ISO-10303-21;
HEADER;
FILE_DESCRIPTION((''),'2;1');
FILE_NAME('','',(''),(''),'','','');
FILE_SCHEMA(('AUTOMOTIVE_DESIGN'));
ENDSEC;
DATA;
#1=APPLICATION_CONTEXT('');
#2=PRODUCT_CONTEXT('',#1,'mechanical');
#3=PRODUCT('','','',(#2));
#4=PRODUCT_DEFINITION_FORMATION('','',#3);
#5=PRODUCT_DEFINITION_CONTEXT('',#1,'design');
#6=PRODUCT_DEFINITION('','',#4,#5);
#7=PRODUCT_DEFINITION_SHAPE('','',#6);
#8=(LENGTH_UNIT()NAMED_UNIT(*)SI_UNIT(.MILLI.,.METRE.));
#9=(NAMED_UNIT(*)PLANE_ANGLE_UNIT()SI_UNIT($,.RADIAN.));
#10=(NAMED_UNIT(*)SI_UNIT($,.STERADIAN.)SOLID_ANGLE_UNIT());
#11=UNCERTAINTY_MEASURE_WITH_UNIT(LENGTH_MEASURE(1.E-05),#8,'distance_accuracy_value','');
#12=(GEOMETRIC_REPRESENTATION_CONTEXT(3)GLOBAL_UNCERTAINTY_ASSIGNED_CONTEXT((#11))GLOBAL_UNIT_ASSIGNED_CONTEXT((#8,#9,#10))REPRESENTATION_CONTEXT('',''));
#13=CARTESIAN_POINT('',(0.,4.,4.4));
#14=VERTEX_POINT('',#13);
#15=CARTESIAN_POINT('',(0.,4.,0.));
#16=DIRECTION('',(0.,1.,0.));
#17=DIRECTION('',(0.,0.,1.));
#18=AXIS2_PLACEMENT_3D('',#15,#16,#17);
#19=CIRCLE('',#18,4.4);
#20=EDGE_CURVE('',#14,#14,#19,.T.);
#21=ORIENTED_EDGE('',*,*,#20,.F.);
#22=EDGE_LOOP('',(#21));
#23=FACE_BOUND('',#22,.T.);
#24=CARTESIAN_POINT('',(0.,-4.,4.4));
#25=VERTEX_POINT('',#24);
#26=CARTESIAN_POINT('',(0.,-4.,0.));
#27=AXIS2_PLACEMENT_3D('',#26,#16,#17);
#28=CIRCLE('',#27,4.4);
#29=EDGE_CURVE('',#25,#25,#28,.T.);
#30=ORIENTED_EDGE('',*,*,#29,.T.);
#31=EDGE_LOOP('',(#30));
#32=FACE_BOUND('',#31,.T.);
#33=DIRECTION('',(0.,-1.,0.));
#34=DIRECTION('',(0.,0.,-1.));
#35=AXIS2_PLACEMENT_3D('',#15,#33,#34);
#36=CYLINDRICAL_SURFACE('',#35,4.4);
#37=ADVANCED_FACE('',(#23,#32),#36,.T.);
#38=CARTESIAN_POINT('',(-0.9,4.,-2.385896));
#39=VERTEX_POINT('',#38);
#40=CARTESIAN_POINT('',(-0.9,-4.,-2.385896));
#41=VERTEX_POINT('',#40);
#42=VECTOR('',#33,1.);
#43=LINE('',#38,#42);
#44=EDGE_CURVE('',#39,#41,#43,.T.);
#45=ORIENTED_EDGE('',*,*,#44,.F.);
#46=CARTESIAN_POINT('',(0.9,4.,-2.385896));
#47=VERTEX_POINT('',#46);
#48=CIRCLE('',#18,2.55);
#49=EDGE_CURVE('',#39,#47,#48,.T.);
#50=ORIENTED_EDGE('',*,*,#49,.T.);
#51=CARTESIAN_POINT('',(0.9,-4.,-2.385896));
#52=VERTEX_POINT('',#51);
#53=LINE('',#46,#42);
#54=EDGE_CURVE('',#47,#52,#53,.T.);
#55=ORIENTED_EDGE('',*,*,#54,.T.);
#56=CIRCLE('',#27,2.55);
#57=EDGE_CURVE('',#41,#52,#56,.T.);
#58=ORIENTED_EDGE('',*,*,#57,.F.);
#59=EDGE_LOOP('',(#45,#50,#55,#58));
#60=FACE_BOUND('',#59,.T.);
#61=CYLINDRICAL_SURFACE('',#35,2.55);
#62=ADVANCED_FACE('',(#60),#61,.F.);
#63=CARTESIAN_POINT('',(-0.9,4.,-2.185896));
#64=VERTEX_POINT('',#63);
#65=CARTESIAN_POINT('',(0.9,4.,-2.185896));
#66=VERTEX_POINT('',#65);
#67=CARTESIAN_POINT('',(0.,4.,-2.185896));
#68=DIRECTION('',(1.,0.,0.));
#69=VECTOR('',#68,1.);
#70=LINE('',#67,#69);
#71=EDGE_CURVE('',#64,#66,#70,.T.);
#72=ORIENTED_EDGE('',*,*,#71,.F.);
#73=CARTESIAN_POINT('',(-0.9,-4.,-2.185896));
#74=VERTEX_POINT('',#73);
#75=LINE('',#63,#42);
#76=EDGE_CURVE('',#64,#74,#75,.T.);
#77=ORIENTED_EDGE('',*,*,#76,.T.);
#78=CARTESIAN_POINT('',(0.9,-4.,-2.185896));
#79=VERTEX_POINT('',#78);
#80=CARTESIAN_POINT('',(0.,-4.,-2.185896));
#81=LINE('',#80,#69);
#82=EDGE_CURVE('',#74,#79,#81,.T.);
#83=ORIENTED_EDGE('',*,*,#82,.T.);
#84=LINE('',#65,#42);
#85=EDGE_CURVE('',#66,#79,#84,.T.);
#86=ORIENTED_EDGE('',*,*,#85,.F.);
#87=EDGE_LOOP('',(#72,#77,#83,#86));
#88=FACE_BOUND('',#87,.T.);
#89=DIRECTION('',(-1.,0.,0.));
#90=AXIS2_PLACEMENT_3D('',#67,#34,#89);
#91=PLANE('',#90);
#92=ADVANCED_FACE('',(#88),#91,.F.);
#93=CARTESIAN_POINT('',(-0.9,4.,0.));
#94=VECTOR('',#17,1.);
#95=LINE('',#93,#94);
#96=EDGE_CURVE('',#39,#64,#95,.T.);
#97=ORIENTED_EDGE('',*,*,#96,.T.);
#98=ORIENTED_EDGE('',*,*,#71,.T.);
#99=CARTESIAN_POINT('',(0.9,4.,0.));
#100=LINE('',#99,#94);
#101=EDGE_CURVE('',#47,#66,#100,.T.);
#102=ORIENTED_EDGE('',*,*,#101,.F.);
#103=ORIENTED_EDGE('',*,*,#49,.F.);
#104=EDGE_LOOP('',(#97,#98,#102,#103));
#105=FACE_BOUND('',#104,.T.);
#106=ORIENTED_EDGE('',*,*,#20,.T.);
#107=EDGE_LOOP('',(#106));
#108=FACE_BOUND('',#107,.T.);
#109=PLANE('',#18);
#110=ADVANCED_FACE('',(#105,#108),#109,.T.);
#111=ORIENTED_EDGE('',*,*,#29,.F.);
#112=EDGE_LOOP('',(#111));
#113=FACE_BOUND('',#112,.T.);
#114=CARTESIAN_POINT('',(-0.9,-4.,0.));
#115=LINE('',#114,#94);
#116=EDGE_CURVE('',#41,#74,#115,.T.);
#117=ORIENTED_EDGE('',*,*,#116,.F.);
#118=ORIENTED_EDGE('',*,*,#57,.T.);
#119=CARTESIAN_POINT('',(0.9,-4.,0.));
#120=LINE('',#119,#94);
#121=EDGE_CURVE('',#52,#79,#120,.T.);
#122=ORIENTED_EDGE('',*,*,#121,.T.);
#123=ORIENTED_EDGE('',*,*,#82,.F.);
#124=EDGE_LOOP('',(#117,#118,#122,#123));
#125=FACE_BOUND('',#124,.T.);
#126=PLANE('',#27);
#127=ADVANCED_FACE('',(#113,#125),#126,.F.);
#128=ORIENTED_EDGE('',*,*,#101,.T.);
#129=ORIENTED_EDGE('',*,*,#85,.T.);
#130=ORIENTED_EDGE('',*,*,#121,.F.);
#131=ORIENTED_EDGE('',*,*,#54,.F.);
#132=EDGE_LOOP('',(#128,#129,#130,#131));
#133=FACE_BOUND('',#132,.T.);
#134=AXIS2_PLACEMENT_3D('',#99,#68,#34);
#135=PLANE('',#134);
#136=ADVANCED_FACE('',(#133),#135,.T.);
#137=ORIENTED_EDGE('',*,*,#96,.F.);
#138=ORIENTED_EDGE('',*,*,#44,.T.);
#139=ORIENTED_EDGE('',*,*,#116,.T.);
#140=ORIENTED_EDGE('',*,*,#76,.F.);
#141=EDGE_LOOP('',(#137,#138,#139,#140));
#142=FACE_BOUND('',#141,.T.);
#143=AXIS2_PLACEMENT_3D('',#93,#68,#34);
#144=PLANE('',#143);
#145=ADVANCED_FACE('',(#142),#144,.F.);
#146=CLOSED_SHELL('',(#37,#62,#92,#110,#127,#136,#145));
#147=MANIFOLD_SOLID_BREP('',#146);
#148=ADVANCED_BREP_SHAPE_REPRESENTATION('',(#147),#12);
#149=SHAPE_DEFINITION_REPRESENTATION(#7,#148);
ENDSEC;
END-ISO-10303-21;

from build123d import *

# Parameters (mm, degrees)
SKETCH1_R           = 4.4
SKETCH1_R_2         = 2.55
SKETCH1_W           = 1.8
SKETCH1_H           = 0.2
BOSS_EXTRUDE1_DEPTH = 4


with BuildPart() as part:
    # Sketch1 → Boss-Extrude1 (new, symmetric)
    # profile 1 of 3: a face of its own
    with BuildSketch(Plane(origin=(0, 0, 0), x_dir=(1, 0, 0), z_dir=(0, 1, 0))):
        with Locations(Location((0, 0, 0), (0, 0, 270))):
            Circle(SKETCH1_R)
        Circle(SKETCH1_R_2, mode=Mode.SUBTRACT)
    # profile 2 of 3: a face of its own
    with BuildSketch(Plane(origin=(0, 0, 0), x_dir=(1, 0, 0), z_dir=(0, 1, 0))):
        with Locations((0, 2.285896058)):
            Rectangle(SKETCH1_W, SKETCH1_H)
    # profile 3 of 3: a face of its own
    with BuildSketch(Plane(origin=(0, 0, 0), x_dir=(1, 0, 0), z_dir=(0, 1, 0))):
        with BuildLine():
            ThreePointArc((0.9, 2.385896058), (0, 2.55), (-0.9, 2.385896058))
            Line((-0.9, 2.385896058), (0.9, 2.385896058))
        make_face()
    extrude(amount=BOSS_EXTRUDE1_DEPTH, both=True)


solid = part.part
